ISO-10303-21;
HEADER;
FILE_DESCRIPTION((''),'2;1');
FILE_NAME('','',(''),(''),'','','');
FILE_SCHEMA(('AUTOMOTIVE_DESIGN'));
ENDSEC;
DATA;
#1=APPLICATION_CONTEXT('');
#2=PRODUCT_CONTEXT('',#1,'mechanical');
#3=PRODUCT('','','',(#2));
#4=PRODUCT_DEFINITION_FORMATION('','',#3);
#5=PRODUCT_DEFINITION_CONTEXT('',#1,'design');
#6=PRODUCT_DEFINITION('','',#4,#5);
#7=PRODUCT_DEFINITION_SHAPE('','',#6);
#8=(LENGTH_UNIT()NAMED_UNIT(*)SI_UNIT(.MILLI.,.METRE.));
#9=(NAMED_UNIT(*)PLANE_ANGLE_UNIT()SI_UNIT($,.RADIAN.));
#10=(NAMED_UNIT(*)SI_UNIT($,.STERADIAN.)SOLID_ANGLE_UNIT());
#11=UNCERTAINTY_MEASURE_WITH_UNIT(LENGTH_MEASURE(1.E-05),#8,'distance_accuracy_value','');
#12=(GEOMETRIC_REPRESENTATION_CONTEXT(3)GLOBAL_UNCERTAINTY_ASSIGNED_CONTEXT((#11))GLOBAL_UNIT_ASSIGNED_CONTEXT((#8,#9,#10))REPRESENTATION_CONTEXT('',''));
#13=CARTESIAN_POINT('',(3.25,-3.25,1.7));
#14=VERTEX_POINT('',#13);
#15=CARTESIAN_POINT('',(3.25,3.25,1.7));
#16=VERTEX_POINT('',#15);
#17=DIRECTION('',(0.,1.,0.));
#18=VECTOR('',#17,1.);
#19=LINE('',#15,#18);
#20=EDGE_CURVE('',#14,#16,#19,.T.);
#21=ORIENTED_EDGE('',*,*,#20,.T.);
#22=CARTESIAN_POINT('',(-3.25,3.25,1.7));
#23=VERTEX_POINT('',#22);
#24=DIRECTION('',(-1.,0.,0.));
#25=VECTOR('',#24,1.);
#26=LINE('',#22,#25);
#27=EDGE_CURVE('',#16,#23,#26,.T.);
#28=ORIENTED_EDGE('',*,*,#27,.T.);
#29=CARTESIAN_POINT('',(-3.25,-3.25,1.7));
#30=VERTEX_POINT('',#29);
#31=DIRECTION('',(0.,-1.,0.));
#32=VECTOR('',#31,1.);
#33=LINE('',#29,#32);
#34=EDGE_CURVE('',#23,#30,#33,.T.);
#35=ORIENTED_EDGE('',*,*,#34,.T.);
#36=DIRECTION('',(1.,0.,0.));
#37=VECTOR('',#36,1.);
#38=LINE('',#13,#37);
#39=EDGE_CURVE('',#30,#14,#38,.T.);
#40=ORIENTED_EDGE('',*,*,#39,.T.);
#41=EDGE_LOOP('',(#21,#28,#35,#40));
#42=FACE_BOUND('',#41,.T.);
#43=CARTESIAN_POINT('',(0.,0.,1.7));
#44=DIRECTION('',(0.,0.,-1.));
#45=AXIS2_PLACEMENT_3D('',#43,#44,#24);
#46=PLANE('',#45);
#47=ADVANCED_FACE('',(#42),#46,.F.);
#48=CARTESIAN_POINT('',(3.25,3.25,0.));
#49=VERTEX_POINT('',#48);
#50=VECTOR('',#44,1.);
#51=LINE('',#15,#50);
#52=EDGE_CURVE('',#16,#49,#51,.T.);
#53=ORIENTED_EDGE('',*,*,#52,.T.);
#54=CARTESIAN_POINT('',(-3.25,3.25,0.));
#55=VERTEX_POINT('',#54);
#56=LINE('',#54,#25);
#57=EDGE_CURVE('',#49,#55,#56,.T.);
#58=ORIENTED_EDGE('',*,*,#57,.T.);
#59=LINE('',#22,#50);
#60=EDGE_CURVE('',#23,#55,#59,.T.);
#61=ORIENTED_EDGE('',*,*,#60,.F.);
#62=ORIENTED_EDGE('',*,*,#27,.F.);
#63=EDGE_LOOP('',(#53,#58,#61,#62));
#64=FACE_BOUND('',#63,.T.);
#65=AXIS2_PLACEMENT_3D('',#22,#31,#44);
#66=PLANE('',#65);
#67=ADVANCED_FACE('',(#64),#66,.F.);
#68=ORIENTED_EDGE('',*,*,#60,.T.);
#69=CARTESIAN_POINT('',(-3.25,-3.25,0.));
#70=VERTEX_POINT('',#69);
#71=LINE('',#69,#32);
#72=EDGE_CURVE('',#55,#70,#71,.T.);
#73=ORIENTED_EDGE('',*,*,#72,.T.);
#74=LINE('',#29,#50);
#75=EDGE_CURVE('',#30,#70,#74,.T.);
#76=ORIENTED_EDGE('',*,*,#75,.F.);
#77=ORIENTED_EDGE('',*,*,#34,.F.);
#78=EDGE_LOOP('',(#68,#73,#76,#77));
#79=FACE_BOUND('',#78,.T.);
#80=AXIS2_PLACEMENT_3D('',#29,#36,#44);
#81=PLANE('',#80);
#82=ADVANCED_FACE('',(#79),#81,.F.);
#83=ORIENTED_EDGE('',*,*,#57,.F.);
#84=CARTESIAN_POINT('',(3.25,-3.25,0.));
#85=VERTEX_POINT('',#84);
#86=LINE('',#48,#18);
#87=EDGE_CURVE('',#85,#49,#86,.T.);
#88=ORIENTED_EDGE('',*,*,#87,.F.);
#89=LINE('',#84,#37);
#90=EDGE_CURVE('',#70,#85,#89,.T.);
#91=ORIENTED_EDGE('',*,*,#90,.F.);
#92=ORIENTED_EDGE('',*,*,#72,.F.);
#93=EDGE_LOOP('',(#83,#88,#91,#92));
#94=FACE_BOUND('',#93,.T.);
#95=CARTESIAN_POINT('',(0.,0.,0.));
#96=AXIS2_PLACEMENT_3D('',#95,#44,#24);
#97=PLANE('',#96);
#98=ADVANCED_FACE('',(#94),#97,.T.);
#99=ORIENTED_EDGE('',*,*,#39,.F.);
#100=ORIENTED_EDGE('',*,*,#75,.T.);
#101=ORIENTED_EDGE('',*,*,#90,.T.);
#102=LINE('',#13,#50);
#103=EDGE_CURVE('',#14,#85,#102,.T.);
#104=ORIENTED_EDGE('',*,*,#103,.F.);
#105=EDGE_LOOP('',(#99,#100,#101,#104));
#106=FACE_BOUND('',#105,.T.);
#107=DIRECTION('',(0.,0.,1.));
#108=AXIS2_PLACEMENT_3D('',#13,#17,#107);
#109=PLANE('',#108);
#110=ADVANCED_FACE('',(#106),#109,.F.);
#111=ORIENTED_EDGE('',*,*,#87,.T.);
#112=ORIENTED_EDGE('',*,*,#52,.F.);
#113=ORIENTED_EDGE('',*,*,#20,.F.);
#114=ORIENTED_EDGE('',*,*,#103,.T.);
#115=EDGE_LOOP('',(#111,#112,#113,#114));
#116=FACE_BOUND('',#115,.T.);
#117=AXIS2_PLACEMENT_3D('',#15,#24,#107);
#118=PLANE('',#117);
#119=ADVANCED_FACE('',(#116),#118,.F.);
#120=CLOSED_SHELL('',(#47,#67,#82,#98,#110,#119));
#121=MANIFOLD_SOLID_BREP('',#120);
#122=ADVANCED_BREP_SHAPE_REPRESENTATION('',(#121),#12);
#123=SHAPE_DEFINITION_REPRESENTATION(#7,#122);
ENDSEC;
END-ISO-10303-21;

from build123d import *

# Parameters (mm, degrees)
SKETCH_1_W              = 6.5
SKETCH_1_H              = 6.5
COMPONENT_OUTLINE_DEPTH = 1.7


with BuildPart() as part:
    # 草图1 → Component_Outline (new body)
    with BuildSketch(Plane.XY):
        Rectangle(SKETCH_1_W, SKETCH_1_H)
    extrude(amount=COMPONENT_OUTLINE_DEPTH)


solid = part.part
